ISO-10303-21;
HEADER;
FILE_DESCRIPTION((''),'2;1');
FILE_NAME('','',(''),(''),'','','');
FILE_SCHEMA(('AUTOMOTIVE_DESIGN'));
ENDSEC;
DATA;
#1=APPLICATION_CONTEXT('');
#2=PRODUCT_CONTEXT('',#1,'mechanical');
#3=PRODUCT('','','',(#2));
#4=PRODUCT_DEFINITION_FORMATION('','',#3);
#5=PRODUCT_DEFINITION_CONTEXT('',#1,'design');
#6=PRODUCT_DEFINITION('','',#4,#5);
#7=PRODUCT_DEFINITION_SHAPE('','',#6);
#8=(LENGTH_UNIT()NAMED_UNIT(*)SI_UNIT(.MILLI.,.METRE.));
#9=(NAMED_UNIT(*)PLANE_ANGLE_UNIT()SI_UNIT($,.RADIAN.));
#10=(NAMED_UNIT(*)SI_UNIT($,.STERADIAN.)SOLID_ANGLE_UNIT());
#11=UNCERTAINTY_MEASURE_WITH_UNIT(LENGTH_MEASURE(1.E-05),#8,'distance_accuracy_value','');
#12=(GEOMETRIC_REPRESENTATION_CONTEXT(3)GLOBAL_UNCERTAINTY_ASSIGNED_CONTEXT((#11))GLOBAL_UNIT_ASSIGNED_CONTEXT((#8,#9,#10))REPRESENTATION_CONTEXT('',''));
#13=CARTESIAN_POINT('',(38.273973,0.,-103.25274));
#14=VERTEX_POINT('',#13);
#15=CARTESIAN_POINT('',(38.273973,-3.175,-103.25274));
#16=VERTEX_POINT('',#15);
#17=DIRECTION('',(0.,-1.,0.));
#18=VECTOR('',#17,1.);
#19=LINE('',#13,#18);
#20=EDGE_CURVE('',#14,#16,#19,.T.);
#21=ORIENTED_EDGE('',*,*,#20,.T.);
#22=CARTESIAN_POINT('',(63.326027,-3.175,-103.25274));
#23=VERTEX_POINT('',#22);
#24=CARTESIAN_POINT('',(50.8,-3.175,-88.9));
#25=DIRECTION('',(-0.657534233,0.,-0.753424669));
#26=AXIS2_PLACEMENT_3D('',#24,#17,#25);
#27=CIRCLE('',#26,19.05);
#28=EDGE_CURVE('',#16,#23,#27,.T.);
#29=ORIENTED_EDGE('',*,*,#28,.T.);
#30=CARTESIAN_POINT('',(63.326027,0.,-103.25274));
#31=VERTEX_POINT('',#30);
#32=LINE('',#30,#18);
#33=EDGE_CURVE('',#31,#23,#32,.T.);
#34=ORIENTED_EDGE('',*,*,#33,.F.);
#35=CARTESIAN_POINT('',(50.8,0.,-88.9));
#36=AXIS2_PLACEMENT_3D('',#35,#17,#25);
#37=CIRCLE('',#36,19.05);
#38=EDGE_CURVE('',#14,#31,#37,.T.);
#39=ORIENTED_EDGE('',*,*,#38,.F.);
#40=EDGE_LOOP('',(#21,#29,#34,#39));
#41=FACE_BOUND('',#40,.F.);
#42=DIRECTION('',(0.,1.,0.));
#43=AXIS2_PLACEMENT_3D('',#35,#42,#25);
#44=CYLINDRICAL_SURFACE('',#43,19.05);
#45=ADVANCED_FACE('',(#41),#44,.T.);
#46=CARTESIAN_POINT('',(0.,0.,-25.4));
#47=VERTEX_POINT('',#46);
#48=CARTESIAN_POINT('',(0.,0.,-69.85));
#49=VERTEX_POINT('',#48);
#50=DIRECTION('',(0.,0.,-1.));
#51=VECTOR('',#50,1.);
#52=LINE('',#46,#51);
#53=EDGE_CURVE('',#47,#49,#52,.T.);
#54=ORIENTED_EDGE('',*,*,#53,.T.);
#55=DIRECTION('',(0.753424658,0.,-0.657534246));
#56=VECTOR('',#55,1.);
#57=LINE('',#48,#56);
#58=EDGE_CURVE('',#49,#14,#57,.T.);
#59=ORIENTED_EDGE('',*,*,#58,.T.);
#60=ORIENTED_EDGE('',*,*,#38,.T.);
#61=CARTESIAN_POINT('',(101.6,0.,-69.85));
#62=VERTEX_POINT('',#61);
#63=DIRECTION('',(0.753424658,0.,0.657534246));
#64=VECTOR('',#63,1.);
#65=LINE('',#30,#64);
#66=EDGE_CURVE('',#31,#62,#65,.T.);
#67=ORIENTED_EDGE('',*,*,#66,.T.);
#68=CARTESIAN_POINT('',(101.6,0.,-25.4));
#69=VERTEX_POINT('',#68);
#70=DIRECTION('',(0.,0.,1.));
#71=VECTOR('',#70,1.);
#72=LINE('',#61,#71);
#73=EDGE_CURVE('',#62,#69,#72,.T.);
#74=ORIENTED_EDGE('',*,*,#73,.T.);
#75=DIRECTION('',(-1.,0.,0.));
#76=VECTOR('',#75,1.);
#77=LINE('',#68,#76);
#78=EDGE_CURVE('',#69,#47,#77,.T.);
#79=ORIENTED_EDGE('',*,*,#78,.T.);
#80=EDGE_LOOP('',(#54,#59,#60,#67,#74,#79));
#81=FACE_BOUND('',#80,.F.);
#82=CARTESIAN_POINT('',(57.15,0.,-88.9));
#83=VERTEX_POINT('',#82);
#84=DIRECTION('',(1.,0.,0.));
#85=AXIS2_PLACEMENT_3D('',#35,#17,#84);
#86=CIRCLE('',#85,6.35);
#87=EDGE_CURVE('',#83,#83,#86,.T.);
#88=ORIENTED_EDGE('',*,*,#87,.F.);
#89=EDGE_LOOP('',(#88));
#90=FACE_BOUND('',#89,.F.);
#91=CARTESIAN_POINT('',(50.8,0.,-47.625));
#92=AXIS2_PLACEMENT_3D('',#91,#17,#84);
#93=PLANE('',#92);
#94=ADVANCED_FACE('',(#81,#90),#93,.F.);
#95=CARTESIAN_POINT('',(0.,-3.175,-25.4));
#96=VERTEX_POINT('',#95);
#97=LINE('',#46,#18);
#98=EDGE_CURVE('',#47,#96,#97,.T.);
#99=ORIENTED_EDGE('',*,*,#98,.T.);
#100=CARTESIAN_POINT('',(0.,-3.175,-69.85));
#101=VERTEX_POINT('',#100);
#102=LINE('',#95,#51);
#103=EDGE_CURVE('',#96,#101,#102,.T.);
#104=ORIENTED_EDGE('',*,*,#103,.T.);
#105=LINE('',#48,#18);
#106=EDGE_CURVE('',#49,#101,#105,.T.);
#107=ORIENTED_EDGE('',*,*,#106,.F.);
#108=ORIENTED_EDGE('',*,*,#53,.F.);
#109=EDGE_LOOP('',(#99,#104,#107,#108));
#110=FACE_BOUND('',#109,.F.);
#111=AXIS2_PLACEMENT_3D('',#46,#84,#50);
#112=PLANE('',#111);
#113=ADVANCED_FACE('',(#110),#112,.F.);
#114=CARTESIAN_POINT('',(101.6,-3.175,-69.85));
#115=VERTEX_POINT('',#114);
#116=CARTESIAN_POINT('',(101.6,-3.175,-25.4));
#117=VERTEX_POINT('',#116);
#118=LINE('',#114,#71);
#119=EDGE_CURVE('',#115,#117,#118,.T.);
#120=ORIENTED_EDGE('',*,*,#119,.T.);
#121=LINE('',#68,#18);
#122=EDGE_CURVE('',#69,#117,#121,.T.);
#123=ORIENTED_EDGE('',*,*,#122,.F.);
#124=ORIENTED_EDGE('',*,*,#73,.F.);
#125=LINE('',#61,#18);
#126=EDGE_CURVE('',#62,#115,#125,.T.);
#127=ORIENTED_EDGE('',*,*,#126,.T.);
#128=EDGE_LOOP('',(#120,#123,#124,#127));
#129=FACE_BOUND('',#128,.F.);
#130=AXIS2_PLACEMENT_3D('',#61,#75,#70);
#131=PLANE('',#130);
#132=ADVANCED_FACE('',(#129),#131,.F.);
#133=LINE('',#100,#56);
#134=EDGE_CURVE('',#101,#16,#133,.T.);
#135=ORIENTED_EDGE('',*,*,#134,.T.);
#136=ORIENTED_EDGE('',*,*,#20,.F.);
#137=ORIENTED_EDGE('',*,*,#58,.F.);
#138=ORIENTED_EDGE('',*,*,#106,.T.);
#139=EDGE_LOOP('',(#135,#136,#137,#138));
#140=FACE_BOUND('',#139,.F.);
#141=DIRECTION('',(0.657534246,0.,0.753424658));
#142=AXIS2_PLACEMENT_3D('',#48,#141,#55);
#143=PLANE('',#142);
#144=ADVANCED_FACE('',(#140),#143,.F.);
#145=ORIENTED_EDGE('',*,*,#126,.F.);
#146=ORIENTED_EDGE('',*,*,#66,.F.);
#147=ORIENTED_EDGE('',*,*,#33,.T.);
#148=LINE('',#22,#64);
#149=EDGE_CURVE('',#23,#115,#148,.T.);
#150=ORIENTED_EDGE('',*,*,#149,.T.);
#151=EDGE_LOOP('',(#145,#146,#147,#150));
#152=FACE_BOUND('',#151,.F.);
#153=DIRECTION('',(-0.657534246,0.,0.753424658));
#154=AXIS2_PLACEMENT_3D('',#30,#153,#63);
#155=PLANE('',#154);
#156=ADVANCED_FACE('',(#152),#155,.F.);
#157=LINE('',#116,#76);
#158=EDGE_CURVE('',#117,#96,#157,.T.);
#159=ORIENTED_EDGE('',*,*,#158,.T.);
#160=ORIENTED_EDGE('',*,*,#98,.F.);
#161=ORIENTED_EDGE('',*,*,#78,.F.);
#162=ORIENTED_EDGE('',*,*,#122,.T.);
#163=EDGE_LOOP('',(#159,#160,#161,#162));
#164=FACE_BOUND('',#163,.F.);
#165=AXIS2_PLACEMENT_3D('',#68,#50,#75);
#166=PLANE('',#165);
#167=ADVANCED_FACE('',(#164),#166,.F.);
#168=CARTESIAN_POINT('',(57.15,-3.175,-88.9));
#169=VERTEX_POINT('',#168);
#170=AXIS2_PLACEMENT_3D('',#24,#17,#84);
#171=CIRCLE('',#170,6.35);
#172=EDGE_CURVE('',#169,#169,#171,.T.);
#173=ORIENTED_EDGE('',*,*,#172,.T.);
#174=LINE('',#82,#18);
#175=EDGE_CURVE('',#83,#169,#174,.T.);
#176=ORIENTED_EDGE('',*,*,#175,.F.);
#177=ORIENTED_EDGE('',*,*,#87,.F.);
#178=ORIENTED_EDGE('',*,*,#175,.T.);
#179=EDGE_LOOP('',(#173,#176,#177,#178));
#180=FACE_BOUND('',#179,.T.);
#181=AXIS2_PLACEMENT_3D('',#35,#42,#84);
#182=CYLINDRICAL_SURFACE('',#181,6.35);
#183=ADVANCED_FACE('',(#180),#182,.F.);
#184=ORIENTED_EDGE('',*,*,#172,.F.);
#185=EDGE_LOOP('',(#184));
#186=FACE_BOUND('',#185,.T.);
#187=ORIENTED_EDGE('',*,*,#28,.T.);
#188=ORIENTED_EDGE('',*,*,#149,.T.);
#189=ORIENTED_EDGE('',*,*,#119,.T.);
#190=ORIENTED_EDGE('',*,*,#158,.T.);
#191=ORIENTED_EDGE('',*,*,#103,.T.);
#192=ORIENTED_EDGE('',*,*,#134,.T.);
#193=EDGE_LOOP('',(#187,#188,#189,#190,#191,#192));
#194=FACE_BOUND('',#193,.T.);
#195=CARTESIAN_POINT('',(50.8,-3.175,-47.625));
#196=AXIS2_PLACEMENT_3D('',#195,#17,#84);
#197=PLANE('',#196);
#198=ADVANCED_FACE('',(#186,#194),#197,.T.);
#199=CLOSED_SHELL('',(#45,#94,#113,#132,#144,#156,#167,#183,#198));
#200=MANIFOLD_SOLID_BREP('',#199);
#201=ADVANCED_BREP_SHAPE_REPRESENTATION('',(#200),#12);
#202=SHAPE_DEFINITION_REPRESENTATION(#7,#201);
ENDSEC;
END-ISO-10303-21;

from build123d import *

# Parameters (mm, degrees)
F0_R     = 6.35
F1_DEPTH = 3.175


with BuildPart() as f1:
    # F0 (on Front) → F1 (new body)
    with BuildSketch(Plane.XZ):
        Polygon((101.6, -25.4), (0, -25.4), (0, -69.85), (50.8, -69.85), (101.6, -69.85), align=None)
        with BuildLine():
            Line((50.8, -69.85), (0, -69.85))
            Line((0, -69.85), (38.273973, -103.25274))
            ThreePointArc((38.273973, -103.25274), (32.962929, -82.211098), (50.8, -69.85))
        make_face()
        with BuildLine():
            Line((63.326027, -103.25274), (101.6, -69.85))
            Line((101.6, -69.85), (50.8, -69.85))
            ThreePointArc((50.8, -69.85), (64.270384, -75.429616), (69.85, -88.9))
            ThreePointArc((69.85, -88.9), (68.142481, -96.782946), (63.326027, -103.25274))
        make_face()
        with BuildLine():
            ThreePointArc((69.85, -88.9), (64.270384, -75.429616), (50.8, -69.85))
            ThreePointArc((50.8, -69.85), (32.962929, -82.211098), (38.273973, -103.25274))
            ThreePointArc((38.273973, -103.25274), (50.8, -107.95), (63.326027, -103.25274))
            ThreePointArc((63.326027, -103.25274), (68.142481, -96.782946), (69.85, -88.9))
        make_face()
        with Locations((50.8, -88.9)):
            Circle(F0_R, mode=Mode.SUBTRACT)
    extrude(amount=F1_DEPTH)


solid = f1.part
